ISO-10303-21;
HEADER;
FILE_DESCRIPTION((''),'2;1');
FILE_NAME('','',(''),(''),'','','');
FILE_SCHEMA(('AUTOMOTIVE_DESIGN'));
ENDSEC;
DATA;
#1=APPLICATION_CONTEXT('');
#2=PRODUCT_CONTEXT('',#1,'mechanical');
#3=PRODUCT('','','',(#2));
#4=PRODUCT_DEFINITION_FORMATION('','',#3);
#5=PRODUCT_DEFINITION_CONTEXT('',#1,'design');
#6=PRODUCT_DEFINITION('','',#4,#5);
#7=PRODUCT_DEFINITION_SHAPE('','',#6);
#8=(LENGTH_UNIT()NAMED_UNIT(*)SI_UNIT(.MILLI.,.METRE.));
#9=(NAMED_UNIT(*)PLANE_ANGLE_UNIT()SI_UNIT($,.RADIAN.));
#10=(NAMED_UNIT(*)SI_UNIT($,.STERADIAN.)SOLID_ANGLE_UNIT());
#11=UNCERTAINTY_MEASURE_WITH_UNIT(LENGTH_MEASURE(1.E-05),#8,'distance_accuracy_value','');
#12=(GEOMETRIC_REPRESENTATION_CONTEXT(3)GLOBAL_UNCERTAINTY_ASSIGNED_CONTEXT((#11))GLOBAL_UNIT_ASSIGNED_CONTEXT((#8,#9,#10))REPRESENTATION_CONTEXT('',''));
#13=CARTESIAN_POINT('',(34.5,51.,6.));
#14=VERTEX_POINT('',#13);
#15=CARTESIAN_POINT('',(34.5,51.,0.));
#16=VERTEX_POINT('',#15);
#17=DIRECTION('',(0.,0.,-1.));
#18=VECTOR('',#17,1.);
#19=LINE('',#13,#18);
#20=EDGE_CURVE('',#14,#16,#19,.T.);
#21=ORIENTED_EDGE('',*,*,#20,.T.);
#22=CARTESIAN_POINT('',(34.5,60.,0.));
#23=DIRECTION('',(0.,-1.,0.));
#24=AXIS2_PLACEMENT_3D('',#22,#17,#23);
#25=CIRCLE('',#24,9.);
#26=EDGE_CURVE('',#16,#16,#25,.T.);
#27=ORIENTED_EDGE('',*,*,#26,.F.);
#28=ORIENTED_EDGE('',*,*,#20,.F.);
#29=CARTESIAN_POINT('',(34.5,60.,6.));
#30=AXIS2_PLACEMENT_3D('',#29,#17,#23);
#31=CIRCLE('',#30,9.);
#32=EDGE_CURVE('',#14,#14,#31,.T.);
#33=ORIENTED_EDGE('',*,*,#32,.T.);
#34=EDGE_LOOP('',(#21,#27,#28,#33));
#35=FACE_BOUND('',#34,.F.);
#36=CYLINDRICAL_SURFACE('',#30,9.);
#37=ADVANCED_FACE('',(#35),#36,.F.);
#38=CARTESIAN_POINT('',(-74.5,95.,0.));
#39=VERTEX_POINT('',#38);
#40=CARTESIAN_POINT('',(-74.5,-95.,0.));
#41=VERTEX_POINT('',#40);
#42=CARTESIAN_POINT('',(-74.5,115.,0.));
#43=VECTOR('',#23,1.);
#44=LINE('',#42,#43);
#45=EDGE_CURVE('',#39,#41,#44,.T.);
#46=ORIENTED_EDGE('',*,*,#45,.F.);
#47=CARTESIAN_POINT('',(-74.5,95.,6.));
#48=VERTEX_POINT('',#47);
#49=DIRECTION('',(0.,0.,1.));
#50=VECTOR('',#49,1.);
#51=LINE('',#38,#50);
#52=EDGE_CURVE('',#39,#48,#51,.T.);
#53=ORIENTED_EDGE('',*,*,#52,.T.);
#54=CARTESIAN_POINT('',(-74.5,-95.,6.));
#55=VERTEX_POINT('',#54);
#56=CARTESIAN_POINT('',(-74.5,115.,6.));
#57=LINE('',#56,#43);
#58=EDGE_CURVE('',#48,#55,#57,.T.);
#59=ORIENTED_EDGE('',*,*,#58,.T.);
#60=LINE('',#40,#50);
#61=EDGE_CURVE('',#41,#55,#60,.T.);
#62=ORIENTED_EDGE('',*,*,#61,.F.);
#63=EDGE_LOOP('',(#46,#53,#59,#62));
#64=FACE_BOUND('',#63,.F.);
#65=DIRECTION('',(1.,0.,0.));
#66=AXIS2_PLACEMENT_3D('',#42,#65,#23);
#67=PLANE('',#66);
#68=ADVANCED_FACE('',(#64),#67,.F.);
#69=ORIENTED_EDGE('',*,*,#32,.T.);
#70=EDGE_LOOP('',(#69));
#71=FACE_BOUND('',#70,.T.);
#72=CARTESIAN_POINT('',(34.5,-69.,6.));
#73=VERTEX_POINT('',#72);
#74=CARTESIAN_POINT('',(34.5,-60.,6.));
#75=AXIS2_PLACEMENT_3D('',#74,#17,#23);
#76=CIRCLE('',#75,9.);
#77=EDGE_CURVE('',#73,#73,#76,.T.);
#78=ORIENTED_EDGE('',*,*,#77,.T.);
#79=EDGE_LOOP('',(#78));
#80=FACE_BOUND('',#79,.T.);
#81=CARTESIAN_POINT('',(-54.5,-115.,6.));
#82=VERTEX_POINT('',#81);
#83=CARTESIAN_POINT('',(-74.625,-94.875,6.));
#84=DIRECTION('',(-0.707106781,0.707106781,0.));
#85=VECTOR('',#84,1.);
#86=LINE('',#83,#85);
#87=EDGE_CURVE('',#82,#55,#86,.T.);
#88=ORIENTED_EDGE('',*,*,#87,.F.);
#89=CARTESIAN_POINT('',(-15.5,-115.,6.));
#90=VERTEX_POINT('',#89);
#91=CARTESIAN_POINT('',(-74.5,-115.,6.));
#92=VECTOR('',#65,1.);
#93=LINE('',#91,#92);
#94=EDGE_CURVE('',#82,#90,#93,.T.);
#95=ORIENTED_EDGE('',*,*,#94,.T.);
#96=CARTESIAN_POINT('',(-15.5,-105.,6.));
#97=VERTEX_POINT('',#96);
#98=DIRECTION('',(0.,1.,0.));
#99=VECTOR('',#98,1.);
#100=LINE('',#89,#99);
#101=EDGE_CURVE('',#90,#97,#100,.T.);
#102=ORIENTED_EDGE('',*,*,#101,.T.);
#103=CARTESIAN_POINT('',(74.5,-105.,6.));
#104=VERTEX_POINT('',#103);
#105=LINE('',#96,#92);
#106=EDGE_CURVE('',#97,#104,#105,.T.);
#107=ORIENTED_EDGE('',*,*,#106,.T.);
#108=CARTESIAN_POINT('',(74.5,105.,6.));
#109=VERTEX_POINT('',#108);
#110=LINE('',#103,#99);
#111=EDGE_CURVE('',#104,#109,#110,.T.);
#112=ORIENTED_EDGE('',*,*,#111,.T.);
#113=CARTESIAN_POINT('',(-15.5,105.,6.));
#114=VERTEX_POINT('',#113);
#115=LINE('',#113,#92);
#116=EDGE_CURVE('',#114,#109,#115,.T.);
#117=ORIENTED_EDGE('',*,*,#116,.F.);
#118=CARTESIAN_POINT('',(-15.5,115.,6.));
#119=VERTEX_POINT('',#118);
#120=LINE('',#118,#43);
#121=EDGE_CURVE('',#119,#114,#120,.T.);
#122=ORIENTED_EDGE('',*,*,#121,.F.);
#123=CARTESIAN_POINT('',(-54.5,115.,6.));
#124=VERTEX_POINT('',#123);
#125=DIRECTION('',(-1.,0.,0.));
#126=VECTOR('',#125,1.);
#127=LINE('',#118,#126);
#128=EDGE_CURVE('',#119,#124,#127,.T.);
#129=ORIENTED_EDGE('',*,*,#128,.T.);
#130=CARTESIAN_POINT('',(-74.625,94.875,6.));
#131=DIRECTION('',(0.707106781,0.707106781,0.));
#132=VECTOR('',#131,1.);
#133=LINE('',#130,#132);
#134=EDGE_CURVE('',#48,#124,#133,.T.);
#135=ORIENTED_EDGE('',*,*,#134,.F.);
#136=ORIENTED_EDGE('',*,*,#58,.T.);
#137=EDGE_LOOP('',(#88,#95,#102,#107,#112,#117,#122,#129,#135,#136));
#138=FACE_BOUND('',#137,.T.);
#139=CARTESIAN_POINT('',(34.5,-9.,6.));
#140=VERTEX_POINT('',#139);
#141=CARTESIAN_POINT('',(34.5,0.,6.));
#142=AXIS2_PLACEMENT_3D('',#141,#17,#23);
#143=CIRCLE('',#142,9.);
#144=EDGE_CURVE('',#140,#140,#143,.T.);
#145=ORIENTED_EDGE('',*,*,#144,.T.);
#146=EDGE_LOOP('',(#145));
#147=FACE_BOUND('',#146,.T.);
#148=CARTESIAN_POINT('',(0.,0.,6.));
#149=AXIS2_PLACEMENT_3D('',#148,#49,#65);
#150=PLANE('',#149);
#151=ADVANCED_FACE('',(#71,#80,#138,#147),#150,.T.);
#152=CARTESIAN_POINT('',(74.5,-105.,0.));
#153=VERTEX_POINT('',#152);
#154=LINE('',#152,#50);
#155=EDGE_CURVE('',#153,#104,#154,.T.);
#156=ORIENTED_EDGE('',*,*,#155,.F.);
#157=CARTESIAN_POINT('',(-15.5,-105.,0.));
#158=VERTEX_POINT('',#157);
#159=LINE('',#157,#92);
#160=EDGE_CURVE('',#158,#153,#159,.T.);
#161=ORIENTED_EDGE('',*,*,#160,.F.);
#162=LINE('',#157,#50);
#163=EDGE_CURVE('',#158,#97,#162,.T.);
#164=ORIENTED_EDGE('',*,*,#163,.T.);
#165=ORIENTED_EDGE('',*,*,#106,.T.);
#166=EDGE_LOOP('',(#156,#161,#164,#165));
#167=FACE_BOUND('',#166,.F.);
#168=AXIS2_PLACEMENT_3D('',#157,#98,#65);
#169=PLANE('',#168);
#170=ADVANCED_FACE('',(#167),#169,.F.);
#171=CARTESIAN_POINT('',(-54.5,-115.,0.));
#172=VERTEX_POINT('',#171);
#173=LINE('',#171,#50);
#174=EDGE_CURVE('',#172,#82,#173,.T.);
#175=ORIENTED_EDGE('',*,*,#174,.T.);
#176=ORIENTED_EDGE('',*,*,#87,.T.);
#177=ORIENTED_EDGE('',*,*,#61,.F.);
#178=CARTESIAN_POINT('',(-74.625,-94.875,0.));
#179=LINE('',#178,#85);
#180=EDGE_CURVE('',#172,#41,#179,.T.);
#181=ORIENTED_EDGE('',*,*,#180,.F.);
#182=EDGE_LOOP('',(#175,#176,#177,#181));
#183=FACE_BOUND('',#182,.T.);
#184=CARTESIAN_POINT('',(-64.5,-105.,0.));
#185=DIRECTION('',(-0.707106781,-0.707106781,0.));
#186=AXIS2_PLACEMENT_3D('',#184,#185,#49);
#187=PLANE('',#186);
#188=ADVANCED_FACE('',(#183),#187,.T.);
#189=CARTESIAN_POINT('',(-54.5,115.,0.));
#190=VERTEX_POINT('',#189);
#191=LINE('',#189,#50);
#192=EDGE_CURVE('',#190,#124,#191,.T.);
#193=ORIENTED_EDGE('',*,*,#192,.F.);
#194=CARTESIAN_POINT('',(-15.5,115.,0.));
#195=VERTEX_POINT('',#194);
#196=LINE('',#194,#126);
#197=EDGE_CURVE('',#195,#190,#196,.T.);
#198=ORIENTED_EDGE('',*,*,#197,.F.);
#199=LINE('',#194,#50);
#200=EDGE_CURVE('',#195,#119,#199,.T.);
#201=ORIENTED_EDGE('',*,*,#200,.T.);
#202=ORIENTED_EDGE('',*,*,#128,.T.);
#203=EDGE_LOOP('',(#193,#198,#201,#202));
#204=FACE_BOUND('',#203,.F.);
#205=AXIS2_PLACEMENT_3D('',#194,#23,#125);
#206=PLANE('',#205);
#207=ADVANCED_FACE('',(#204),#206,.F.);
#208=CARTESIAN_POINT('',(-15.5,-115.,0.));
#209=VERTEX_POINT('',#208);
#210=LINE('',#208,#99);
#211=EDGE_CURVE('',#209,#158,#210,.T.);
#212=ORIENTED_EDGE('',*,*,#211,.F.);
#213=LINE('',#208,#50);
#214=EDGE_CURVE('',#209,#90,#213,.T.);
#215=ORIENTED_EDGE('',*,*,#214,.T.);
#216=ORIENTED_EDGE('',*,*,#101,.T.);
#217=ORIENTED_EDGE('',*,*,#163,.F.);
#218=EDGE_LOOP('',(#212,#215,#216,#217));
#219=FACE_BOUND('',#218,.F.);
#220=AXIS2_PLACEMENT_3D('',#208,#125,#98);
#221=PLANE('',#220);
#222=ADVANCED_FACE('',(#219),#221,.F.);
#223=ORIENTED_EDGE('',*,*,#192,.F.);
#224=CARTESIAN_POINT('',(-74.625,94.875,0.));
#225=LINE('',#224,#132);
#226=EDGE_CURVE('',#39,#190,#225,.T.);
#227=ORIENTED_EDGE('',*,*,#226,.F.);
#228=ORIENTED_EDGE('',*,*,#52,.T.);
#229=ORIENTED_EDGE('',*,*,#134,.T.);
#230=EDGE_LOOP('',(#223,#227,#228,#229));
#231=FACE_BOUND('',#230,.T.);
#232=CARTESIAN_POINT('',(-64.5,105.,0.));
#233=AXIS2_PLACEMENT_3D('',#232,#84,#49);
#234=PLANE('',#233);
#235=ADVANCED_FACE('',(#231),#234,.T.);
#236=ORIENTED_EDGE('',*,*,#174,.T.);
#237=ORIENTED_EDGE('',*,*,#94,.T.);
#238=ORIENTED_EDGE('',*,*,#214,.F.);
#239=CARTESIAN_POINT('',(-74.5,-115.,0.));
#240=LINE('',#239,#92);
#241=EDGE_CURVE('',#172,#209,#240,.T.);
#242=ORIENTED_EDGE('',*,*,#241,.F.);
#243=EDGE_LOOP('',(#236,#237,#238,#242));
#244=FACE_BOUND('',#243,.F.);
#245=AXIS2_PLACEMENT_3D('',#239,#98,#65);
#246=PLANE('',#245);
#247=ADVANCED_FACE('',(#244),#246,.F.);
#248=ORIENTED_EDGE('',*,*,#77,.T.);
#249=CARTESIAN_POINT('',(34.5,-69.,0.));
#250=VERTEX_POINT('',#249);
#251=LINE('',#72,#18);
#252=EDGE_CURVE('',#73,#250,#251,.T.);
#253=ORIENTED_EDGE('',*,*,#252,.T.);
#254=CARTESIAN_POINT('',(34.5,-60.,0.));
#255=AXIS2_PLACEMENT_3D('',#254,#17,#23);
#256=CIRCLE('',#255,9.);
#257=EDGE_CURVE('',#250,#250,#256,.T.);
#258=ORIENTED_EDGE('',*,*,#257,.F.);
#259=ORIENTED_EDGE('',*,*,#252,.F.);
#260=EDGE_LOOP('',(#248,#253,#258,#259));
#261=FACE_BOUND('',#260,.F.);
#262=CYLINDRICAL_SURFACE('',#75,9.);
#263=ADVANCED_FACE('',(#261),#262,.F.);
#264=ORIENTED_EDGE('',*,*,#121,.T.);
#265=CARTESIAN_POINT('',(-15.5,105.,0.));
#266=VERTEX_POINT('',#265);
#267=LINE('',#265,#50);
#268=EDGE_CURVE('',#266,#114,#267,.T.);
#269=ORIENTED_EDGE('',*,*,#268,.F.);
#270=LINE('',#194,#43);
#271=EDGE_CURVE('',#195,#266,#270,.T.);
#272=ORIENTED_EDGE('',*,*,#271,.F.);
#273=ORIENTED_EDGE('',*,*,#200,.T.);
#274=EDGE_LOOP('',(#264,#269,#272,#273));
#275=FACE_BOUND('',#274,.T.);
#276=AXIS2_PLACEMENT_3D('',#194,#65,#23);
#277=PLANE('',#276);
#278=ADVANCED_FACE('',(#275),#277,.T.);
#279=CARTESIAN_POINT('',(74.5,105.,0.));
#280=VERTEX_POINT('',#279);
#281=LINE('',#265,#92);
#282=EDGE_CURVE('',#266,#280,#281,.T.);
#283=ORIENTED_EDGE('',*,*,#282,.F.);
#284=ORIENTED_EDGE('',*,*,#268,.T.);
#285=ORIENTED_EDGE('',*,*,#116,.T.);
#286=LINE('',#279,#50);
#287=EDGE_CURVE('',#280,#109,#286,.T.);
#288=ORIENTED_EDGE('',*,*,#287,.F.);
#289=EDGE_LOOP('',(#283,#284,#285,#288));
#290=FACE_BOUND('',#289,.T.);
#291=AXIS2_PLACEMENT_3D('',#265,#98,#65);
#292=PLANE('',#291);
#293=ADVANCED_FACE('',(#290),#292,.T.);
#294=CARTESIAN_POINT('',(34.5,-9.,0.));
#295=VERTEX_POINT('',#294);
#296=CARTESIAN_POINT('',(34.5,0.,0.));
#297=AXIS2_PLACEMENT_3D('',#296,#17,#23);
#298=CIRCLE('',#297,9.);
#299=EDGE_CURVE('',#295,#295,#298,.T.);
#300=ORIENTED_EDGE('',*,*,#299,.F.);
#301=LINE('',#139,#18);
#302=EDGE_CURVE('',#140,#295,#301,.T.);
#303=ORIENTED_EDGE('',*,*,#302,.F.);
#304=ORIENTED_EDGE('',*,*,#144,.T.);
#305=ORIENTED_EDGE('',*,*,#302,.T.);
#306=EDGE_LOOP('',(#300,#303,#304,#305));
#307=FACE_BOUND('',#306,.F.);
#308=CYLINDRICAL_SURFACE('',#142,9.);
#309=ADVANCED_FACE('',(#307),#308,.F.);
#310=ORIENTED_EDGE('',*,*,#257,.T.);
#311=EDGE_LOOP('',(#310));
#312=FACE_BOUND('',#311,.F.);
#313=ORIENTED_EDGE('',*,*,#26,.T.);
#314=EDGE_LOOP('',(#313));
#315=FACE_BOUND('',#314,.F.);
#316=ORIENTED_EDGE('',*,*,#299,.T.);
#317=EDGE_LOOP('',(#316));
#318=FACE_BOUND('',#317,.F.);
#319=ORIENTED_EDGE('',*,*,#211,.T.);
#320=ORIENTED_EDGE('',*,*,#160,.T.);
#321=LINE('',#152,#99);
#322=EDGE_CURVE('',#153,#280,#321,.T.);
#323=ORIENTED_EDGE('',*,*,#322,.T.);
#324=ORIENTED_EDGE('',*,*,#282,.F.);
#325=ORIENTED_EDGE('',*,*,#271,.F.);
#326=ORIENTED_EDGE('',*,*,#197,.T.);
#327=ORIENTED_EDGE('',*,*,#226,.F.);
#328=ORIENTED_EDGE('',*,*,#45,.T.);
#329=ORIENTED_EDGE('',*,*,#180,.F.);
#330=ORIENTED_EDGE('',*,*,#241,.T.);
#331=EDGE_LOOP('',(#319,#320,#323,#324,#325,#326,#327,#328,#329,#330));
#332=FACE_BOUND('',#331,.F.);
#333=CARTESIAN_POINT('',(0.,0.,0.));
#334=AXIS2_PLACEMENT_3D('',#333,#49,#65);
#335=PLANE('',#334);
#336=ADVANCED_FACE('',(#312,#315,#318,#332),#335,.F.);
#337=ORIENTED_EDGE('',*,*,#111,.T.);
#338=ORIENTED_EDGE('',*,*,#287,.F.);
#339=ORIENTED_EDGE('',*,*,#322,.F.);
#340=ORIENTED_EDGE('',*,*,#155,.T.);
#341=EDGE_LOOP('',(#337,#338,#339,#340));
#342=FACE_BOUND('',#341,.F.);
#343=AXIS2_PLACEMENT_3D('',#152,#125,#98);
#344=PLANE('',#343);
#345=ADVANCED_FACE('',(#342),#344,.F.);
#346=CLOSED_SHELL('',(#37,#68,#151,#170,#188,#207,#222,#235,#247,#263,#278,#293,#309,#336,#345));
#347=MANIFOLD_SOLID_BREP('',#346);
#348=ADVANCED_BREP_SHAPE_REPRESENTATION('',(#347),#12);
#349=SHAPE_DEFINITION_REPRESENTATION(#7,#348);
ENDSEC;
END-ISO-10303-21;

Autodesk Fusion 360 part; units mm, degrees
sketch "スケッチ1" plane through (0, 0, 0) normal (0, 0, 1) x (1, 0, 0)
  line L0 (-15.5, 115) -> (-74.5, 115)
  line L1 (-74.5, 115) -> (-74.5, -115)
  line L2 (-74.5, -115) -> (-15.5, -115)
  line L3 (74.5, -105) -> (74.5, 105)
  line L4 (68.0217, 105) -> (-74.5, -115) construction
  line L5 (-74.5, 115) -> (68.0217, -105) construction
  line L6 (-15.5, 115) -> (-15.5, 105)
  line L7 (-15.5, 105) -> (74.5, 105)
  line L8 (-15.5, -115) -> (-15.5, -105)
  line L9 (-15.5, -105) -> (74.5, -105)
  dimension "d2" = 230
extrude "押し出し1" add sketch "スケッチ1" along normal blind 6
chamfer "面取り1" distance 20 angle 45 2 edges at (-74.5, -115, 3) (-74.5, 115, 3)
sketch "スケッチ2" plane through (0, 0, 6) normal (0, 0, 1) x (-1, 0, 0)
  line L0 (54.5, -115) -> (74.5, -95)
  line L1 (74.5, -95) -> (74.5, 95)
  line L2 (74.5, 95) -> (54.5, 115)
  line L3 (54.5, 115) -> (15.5, 115)
  line L4 (15.5, 115) -> (15.5, 105)
  line L5 (15.5, 105) -> (-74.5, 105)
  line L6 (-74.5, 105) -> (-74.5, -105)
  line L7 (-74.5, -105) -> (15.5, -105)
  line L8 (15.5, -105) -> (15.5, -115)
  line L9 (15.5, -115) -> (54.5, -115)
  line L10 (-74.5, -105) -> (-34.5, -105)
  line L11 (-34.5, -105) -> (-34.5, -60)
  line L12 (-34.5, -60) -> (-74.5, -60)
  line L13 (-74.5, -60) -> (-74.5, -105)
  line L14 (-34.5, -60) -> (-34.5, 0)
  line L15 (-34.5, 0) -> (-34.5, 60)
  point P0 (-34.5, -60)
  point P1 (-34.5, 0)
  point P2 (-34.5, 60)
  dimension "d10" = 40
  dimension "d11" = 45
  dimension "d12" = 60
  dimension "d13" = 60
hole "穴1" at (34.5, 60, 6) at (34.5, 0, 6) at (34.5, -60, 6) direction (0, 0, -1) diameter 18 end through all
